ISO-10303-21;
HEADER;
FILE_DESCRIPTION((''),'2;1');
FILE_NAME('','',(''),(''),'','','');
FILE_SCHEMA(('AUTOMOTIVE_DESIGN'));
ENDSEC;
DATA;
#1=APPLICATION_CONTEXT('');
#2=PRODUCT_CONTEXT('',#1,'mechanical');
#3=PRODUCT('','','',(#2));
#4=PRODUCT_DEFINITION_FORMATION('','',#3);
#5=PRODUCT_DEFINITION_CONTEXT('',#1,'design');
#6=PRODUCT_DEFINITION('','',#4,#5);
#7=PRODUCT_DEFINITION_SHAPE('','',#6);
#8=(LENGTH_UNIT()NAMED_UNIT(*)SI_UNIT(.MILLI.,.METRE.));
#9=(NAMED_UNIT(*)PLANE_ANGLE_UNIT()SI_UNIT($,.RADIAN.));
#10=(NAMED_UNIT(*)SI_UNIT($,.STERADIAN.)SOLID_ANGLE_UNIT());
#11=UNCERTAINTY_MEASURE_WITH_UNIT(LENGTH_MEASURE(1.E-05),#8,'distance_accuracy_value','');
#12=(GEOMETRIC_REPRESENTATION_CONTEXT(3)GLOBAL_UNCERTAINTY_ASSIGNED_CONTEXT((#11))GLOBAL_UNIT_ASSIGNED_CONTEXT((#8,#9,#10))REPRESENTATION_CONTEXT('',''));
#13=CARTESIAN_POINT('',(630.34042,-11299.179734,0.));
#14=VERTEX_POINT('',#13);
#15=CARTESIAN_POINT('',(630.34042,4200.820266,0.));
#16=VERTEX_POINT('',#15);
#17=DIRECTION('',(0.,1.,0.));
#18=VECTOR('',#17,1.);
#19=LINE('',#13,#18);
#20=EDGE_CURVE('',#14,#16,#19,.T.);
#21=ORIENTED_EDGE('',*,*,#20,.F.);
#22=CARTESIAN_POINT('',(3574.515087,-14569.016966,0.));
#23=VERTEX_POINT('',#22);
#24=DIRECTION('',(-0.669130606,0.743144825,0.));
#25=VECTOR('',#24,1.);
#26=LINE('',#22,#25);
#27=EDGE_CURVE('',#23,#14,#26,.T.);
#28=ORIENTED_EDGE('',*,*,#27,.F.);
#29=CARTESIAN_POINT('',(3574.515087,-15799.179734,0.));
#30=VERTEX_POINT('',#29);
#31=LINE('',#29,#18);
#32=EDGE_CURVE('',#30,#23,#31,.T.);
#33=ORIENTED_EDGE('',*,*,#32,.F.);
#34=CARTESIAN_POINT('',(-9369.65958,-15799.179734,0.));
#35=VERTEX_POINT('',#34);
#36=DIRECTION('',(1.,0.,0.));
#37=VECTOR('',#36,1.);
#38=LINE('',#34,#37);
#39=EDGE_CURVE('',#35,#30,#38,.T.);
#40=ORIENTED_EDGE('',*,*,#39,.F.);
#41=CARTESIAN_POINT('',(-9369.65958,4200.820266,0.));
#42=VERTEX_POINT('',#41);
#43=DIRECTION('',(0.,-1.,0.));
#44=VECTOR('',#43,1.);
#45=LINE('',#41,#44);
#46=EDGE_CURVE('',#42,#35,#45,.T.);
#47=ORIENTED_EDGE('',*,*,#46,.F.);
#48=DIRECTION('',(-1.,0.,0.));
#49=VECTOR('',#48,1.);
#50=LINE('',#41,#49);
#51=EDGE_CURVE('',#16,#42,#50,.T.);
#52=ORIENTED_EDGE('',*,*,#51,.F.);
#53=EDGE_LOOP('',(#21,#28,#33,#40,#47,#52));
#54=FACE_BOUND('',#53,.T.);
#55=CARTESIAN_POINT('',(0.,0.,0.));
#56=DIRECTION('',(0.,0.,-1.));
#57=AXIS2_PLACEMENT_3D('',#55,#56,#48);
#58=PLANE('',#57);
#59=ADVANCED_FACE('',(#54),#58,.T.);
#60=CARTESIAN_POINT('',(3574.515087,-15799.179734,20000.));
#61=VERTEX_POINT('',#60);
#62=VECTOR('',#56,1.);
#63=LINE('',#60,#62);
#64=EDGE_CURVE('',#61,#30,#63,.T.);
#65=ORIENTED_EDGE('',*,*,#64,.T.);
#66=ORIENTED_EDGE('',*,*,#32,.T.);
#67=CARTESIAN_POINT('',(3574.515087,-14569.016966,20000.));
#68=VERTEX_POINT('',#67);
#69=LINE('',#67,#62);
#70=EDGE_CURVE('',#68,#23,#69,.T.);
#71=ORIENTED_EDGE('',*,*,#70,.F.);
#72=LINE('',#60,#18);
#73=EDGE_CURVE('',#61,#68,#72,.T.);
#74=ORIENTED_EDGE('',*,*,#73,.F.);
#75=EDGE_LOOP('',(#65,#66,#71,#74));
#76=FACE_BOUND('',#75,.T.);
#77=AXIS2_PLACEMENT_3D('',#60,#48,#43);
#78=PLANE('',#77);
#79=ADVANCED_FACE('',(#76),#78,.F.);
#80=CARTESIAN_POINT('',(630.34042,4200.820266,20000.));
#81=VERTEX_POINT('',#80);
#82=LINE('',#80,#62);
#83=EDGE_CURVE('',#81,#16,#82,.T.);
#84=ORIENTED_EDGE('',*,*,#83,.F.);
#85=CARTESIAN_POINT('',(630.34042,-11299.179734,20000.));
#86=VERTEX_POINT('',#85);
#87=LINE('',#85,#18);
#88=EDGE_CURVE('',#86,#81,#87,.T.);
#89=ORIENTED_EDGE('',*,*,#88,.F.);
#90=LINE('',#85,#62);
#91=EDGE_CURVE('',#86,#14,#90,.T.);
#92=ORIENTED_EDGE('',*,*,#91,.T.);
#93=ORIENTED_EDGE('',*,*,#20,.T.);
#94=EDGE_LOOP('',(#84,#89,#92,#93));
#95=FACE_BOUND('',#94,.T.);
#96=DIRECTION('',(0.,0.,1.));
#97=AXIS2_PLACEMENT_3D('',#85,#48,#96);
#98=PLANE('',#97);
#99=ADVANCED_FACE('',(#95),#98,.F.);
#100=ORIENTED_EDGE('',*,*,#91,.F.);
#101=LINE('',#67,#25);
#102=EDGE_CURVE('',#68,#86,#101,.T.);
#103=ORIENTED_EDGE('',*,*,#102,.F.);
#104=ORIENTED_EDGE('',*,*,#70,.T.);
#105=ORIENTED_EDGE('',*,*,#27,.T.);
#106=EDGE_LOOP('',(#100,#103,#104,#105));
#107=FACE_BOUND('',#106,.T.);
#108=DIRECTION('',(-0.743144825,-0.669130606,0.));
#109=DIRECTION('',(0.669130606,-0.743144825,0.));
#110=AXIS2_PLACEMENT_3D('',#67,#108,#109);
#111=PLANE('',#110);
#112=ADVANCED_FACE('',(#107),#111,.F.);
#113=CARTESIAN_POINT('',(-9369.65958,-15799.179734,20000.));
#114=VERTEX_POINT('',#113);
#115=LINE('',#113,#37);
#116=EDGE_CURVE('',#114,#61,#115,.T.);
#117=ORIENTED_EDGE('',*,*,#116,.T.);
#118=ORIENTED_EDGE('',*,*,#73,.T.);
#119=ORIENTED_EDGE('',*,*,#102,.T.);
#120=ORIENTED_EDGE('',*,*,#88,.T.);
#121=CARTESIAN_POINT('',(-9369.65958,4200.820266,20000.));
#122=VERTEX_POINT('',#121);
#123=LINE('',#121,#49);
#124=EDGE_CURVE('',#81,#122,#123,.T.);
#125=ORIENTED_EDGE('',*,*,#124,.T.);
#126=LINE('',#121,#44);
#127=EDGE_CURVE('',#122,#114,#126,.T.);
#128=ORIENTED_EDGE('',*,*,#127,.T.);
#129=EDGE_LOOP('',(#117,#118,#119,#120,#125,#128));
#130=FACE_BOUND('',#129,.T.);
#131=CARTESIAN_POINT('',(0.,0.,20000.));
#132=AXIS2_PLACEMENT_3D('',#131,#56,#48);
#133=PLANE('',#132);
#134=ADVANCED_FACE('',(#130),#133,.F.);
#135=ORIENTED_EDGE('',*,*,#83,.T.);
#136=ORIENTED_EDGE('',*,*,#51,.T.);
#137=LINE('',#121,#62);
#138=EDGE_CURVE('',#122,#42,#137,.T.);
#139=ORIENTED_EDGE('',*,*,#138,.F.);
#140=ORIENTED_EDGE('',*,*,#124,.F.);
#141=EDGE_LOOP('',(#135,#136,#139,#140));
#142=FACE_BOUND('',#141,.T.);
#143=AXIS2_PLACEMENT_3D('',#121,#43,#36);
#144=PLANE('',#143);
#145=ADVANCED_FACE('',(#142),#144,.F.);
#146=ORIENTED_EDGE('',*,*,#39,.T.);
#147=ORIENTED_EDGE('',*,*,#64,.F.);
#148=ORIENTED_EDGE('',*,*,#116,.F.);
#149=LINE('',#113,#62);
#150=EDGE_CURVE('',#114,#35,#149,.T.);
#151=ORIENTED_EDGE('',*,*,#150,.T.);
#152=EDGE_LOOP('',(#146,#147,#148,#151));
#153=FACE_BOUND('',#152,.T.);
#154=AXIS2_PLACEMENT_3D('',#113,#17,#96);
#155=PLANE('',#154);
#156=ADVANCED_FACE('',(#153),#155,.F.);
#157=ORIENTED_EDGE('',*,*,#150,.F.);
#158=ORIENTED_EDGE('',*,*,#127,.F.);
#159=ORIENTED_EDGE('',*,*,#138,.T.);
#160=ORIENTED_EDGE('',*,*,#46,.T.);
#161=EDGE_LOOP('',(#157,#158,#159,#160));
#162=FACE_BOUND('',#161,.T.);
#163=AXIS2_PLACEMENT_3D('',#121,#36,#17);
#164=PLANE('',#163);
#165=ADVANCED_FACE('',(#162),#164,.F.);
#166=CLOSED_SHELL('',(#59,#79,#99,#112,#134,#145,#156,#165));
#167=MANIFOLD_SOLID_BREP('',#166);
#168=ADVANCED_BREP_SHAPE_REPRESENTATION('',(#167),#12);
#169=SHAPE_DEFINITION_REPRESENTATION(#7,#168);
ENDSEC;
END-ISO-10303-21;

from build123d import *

# Parameters (mm, degrees)
BOSS_EXTRU_1_DEPTH = 20000


with BuildPart() as part:
    # Esquisse1 → Boss.-Extru.1 (new body)
    with BuildSketch(Plane.XY):
        Polygon((-9369.659580492, 4200.820265972), (630.340419508, 4200.820265972), (630.340419508, -11299.179734028), (3574.515087487, -14569.016966129), (3574.515087487, -15799.179734028), (-9369.659580492, -15799.179734028), align=None)
    extrude(amount=BOSS_EXTRU_1_DEPTH)


solid = part.part
